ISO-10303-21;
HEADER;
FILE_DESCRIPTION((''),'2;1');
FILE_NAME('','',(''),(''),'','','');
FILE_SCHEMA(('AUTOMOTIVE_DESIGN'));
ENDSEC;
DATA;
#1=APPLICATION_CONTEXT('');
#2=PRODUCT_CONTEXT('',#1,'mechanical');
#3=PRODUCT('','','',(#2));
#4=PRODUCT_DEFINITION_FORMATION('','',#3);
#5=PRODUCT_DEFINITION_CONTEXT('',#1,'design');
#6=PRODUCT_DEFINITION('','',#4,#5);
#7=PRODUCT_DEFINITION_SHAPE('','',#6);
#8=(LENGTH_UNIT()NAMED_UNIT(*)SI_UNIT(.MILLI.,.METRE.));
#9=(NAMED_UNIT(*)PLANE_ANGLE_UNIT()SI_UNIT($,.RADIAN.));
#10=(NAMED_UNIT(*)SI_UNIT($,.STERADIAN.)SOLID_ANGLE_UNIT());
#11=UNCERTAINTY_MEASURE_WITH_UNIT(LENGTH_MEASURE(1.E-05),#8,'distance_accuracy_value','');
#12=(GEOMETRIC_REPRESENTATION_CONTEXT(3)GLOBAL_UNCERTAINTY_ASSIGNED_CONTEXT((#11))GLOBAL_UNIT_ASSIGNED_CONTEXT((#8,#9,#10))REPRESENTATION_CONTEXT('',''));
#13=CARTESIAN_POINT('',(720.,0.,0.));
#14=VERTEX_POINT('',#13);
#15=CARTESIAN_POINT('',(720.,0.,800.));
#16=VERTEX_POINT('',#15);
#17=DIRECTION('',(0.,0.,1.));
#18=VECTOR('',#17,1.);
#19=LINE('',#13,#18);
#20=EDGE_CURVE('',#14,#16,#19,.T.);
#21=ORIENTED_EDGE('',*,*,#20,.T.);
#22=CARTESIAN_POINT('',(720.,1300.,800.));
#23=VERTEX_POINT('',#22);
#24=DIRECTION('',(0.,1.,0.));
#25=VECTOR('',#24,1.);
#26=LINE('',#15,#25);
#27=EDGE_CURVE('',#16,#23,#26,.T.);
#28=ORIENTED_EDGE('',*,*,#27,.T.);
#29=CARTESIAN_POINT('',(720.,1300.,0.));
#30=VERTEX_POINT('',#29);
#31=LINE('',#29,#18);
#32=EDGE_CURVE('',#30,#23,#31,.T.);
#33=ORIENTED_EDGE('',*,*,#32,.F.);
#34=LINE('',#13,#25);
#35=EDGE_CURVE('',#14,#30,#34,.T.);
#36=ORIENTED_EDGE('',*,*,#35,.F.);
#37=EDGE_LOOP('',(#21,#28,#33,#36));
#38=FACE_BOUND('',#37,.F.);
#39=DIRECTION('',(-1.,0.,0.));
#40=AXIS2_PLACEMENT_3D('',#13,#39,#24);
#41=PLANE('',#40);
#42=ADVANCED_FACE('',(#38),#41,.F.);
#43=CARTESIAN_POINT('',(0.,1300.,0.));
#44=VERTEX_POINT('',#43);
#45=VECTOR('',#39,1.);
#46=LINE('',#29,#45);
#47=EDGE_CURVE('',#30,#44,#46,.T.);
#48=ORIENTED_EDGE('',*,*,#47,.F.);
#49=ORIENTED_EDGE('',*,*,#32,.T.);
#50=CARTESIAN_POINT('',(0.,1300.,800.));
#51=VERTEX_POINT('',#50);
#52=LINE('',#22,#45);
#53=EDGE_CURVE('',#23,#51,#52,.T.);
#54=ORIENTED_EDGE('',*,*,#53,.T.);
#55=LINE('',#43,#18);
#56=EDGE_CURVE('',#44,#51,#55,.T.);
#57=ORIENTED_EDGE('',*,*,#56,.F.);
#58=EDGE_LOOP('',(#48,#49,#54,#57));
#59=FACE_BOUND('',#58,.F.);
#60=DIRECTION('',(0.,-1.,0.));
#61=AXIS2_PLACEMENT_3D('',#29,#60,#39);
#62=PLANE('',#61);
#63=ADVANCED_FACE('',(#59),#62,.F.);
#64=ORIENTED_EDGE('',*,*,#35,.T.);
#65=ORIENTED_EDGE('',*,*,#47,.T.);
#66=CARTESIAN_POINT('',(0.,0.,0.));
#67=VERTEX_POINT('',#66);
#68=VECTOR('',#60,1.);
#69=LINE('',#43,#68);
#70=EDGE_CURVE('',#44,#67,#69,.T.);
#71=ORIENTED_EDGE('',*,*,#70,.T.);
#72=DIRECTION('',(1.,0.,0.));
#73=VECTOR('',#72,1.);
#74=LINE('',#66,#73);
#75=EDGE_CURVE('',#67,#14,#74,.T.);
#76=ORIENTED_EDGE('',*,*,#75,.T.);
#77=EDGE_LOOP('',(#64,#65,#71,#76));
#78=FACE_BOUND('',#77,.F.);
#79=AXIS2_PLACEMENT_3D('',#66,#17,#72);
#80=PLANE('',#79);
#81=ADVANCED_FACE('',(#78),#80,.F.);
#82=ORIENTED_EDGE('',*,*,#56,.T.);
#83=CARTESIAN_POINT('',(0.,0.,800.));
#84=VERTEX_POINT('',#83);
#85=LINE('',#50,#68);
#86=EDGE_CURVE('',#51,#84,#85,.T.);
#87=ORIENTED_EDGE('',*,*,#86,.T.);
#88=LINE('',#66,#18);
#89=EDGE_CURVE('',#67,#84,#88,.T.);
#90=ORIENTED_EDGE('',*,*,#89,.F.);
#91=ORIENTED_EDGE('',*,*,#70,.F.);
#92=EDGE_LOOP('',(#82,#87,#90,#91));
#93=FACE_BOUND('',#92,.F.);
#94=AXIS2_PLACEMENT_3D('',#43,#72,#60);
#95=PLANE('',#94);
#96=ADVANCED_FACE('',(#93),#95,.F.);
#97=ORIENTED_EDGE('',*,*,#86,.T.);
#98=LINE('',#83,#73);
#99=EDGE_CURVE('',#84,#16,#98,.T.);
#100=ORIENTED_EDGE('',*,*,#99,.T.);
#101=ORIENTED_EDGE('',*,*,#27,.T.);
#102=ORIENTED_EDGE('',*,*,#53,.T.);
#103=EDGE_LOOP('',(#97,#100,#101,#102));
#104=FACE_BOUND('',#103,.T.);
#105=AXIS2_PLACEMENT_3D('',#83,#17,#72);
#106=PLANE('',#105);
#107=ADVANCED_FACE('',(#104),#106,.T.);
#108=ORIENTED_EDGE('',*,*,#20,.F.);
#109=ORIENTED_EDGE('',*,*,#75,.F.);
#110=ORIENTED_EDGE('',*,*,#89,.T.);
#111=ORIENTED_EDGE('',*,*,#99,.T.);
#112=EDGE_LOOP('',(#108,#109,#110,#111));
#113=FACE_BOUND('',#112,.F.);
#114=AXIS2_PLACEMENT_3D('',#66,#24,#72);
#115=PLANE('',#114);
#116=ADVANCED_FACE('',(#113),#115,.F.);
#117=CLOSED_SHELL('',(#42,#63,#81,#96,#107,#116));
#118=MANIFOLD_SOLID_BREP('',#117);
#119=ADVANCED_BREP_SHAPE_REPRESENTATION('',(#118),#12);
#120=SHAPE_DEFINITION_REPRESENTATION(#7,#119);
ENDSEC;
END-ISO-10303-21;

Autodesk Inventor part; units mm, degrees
ref_plane "YZ Plane" through (0, 0, 0) normal (1, 0, 0) x (0, 1, 0)
ref_plane "XZ Plane" through (0, 0, 0) normal (0, 1, 0) x (-1, 0, 0)
ref_plane "XY Plane" through (0, 0, 0) normal (0, 0, 1) x (1, 0, 0)
ref_plane "Plano de trabajo1" through (0, 0, 0) normal (0, 0, 1) x (1, 0, 0)
sketch "Boceto1" plane through (0, 0, 0) normal (0, 0, 1) x (1, 0, 0)
  line L0 (0, 0) -> (720, 0)
  line L1 (720, 0) -> (720, 1300)
  line L2 (720, 1300) -> (0, 1300)
  line L3 (0, 1300) -> (0, 0)
  dimension "d0" = 720
  dimension "d1" = 1300
extrude "Extrusión1" add sketch "Boceto1" along normal blind 800
properties part number "Sofa Pequeño"
